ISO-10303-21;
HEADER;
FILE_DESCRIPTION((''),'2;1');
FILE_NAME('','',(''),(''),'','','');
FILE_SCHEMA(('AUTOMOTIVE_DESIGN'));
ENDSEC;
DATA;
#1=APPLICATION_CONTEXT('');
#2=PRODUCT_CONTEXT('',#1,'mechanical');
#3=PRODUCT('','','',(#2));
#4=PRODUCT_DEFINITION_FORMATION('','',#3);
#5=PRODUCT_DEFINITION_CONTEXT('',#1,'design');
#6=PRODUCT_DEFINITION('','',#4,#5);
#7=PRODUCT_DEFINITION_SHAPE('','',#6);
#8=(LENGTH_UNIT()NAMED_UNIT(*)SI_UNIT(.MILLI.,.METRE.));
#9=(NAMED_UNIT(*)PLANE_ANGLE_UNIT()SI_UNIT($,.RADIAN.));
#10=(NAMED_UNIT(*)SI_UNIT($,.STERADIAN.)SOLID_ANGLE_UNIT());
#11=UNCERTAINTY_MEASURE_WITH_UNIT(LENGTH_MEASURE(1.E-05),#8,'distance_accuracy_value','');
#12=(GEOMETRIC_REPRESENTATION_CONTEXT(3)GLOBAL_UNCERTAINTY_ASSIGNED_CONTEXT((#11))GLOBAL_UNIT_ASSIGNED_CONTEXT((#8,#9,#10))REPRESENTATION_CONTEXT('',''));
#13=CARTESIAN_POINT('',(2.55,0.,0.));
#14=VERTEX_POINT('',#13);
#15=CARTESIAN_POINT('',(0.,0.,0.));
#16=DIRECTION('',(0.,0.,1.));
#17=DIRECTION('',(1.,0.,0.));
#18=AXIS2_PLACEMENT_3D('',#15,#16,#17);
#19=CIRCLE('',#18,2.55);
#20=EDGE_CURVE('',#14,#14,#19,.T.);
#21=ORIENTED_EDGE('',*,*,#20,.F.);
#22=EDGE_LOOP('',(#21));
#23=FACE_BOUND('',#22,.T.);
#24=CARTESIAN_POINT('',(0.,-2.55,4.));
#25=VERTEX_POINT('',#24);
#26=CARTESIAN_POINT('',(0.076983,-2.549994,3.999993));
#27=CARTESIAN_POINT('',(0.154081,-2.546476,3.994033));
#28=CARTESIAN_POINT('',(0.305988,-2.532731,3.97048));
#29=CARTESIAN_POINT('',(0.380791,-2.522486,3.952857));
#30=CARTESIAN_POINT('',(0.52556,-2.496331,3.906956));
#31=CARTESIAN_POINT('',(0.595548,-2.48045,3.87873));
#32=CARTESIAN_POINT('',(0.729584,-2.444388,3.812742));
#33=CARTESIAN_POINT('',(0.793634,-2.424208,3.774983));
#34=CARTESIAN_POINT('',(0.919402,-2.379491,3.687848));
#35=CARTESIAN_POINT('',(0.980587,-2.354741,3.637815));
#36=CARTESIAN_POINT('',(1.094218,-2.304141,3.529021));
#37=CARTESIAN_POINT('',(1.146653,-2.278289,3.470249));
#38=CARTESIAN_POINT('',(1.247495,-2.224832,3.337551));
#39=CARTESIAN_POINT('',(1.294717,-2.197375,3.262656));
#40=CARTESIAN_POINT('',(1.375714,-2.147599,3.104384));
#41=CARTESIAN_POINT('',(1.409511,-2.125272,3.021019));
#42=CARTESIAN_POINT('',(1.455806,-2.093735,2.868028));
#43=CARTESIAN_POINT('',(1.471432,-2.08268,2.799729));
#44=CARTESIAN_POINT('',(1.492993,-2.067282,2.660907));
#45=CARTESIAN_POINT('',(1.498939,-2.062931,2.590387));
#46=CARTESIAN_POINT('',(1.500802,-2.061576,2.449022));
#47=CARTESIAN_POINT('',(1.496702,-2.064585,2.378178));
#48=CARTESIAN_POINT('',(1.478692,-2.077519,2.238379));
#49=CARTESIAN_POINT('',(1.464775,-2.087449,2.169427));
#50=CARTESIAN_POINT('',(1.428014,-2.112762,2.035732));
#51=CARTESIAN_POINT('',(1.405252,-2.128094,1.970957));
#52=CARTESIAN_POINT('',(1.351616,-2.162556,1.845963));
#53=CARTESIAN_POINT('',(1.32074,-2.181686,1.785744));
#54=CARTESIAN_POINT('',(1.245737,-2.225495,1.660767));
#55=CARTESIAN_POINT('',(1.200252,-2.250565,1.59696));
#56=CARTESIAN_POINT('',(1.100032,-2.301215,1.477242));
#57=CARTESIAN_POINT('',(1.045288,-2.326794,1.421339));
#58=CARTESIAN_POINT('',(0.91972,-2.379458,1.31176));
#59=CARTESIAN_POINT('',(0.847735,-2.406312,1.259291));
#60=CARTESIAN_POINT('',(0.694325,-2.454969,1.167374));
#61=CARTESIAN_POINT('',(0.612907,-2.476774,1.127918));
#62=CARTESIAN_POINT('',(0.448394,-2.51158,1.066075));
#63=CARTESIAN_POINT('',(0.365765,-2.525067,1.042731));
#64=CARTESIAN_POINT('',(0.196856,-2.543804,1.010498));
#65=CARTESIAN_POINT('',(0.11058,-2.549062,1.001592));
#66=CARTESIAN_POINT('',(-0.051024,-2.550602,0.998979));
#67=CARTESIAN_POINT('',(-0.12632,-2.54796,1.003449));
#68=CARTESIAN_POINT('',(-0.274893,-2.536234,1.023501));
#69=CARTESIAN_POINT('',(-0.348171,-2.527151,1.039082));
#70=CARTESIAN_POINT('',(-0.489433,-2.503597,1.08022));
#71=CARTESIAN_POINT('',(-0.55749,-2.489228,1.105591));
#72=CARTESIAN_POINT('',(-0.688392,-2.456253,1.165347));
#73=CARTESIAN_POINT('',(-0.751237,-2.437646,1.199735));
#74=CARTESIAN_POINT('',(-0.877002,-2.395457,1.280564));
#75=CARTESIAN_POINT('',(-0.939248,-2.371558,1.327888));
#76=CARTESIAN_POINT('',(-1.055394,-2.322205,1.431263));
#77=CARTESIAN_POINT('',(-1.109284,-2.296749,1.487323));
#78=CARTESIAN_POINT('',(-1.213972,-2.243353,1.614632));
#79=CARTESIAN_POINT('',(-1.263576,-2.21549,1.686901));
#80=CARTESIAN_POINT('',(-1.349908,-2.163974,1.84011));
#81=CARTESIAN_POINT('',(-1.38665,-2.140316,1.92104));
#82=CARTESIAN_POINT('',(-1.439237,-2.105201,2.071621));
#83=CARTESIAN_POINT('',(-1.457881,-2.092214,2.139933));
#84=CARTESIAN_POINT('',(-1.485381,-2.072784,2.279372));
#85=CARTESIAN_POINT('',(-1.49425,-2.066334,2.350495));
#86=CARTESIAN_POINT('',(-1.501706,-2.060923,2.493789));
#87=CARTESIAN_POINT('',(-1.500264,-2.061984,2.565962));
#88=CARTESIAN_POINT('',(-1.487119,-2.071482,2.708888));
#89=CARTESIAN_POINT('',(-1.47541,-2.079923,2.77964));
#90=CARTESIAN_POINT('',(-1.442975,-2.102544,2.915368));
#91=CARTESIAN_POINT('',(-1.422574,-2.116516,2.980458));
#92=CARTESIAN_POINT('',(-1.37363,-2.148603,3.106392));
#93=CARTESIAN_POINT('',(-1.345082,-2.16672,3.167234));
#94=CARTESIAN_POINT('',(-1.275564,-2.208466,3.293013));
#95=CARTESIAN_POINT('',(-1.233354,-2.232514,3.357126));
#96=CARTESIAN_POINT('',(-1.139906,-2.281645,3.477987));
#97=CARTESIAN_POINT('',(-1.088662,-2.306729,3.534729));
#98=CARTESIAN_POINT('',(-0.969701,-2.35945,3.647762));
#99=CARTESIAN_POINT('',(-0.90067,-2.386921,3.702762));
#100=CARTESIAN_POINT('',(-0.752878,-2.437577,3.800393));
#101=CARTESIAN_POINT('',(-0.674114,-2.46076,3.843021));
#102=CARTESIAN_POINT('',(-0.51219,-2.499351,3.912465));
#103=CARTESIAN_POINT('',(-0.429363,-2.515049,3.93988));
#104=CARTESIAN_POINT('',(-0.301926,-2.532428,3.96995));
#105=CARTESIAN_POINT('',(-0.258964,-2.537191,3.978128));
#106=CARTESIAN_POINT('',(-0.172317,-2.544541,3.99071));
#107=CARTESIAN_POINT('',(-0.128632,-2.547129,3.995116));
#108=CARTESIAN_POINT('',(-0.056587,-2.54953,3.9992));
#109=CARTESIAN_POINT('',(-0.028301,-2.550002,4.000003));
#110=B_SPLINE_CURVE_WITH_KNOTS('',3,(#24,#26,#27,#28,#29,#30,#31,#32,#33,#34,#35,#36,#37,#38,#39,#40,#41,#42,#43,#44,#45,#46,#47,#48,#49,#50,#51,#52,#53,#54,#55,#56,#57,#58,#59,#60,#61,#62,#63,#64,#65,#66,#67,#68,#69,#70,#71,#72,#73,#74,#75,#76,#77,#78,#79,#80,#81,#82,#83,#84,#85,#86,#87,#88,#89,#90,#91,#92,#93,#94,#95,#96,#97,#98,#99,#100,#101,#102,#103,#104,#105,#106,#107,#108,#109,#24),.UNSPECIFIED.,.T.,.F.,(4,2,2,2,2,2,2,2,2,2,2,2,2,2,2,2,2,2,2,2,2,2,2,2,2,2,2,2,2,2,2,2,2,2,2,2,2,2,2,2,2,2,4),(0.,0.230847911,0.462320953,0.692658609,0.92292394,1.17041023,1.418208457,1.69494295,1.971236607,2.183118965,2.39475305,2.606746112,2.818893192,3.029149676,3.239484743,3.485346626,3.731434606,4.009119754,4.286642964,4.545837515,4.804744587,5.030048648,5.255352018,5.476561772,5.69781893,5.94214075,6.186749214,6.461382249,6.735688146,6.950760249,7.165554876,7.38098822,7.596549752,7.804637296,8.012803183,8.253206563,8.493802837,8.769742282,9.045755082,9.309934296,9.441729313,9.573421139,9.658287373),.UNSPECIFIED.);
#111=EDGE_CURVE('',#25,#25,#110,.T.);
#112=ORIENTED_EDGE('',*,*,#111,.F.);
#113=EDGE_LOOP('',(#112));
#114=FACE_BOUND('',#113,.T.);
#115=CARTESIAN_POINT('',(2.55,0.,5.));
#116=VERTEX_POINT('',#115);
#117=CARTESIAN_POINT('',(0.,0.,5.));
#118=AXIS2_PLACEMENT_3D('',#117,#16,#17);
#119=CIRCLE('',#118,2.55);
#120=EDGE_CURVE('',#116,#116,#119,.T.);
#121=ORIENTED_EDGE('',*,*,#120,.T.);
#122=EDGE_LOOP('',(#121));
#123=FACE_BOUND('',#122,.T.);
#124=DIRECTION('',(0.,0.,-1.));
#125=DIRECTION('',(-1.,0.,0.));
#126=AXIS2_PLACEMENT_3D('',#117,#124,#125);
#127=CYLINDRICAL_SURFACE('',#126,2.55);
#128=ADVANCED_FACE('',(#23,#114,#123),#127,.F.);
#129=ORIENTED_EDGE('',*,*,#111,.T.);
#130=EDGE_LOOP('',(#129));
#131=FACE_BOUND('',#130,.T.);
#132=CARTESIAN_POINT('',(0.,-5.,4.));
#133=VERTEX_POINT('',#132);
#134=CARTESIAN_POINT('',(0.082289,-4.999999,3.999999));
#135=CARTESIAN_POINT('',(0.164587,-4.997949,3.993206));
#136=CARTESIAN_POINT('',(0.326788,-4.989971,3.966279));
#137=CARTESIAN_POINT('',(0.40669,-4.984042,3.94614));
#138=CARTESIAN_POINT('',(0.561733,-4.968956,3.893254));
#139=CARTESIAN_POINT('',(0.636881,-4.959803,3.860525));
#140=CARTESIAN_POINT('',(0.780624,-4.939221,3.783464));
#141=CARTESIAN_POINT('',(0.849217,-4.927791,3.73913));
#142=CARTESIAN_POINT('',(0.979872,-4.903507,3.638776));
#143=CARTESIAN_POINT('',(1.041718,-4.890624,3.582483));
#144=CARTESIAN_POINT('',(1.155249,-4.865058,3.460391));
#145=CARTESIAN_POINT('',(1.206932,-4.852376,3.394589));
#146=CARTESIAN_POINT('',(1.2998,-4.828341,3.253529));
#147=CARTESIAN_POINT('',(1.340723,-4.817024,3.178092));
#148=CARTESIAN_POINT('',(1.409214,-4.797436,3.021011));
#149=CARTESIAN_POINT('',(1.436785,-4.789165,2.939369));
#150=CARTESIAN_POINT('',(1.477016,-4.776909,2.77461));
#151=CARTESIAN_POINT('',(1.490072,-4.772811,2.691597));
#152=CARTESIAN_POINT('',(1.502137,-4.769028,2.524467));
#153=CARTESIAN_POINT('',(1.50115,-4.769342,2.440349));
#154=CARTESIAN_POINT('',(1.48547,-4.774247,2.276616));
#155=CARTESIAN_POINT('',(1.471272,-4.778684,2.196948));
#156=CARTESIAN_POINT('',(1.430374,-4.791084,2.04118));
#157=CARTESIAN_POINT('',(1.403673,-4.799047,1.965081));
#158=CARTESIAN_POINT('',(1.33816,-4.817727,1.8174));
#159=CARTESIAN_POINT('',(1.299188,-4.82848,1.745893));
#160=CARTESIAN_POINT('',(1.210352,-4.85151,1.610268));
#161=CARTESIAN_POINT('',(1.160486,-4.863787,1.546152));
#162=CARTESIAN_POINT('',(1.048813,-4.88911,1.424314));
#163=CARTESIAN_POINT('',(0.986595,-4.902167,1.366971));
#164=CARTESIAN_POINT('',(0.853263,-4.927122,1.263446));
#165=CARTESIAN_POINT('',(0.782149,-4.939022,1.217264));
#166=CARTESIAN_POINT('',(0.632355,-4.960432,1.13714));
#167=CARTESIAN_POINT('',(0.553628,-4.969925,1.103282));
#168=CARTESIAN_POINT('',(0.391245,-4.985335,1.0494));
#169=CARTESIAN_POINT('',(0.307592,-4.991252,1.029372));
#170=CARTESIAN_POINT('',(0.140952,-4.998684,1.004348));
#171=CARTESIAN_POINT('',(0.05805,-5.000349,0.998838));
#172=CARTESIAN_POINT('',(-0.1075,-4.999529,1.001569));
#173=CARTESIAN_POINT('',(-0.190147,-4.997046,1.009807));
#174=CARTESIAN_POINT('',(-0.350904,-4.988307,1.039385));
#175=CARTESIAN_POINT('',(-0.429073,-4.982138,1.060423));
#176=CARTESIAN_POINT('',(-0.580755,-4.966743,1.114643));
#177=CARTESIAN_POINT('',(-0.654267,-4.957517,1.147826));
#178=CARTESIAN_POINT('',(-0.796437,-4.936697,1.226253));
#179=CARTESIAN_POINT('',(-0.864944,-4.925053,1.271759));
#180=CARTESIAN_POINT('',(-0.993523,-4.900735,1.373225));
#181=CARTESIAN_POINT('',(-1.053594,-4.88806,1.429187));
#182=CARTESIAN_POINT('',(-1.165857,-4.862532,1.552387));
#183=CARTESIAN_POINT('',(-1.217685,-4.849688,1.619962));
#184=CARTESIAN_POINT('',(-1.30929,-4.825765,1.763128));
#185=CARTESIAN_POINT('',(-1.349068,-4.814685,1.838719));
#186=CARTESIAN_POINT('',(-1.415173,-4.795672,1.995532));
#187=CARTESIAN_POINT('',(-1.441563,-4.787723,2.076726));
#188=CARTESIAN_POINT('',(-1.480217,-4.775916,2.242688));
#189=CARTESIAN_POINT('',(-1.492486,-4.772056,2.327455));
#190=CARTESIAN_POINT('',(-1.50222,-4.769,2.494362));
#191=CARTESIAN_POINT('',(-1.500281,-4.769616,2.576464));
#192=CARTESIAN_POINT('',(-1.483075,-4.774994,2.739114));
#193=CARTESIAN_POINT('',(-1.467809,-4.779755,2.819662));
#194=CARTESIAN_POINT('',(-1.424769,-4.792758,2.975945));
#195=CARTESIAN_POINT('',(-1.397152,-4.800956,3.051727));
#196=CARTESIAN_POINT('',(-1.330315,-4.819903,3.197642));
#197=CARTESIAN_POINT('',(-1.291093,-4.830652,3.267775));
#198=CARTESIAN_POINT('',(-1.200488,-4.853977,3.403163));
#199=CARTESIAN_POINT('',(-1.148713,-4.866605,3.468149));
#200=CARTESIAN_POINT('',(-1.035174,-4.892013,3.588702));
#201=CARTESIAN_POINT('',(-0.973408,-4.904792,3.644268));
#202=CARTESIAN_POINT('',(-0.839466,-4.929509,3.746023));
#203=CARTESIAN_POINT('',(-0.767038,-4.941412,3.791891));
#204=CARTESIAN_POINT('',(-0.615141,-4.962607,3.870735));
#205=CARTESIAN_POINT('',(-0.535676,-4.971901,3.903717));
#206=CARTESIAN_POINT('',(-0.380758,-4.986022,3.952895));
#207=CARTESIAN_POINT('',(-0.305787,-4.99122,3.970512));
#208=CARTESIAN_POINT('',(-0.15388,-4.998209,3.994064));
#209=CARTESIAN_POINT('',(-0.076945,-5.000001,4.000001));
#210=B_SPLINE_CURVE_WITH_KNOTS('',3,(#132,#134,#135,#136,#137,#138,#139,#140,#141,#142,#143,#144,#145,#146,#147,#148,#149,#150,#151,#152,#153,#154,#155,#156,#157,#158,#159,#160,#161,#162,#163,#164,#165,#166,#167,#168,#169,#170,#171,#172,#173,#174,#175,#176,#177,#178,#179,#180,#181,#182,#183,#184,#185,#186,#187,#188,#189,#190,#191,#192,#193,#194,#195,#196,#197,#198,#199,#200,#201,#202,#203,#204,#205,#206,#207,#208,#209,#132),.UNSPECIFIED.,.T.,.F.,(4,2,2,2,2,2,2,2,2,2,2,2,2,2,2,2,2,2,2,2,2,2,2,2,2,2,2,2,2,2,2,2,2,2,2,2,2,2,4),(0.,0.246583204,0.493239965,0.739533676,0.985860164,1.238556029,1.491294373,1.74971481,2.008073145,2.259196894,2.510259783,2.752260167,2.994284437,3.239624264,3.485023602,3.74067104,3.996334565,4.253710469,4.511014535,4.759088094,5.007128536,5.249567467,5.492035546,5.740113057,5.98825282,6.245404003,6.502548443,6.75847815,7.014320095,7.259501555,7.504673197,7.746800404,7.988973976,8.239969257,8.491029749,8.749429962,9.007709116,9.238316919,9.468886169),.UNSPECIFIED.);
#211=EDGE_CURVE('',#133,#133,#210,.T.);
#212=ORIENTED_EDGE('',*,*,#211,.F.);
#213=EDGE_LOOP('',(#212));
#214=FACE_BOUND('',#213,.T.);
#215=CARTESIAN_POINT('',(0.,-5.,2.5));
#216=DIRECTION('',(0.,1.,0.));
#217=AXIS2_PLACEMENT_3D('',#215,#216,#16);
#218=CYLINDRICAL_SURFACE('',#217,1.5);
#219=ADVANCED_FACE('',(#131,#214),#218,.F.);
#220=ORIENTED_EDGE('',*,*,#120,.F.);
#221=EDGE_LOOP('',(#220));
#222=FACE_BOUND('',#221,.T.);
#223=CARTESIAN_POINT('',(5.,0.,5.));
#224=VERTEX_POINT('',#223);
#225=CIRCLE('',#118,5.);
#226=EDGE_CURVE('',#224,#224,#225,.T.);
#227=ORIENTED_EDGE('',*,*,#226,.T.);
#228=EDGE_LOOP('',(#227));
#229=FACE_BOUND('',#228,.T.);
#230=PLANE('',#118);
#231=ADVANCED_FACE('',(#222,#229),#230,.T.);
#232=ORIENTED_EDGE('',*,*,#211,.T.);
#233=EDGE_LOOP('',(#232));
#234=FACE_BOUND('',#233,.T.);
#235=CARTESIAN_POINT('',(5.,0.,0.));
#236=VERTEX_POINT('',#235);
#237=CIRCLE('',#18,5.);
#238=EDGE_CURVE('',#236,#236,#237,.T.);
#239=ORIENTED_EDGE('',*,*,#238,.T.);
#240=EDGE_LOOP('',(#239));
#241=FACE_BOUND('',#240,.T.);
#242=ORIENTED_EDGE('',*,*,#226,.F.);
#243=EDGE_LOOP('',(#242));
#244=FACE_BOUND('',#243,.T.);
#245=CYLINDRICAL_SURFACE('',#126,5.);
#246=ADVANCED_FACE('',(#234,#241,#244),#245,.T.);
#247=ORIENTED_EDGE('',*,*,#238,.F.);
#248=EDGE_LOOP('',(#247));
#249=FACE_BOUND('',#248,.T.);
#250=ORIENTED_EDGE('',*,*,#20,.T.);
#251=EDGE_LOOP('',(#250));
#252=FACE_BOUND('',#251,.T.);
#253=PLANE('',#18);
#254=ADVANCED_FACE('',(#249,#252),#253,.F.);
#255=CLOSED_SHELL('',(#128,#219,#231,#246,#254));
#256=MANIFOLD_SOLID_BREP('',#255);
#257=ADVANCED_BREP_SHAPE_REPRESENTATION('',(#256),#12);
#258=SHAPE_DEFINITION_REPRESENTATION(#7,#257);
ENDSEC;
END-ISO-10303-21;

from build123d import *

# Parameters (mm, degrees)
SKETCH_1_R          = 5
SKETCH_1_R_2        = 2.55
EXTRUDE_1_DEPTH     = 5
SKETCH_2_R          = 1.5
CUT_EXTRUDE_1_DEPTH = 9.660254038


with BuildPart() as part:
    # Эскиз1 → Бобышка-Вытянуть1 (new body)
    with BuildSketch(Plane.XY):
        Circle(SKETCH_1_R)
        Circle(SKETCH_1_R_2, mode=Mode.SUBTRACT)
    extrude(amount=EXTRUDE_1_DEPTH)

    # Эскиз2 → Вырез-Вытянуть1 (cut, through all)
    with BuildSketch(Plane(origin=(0, 0, 0), x_dir=(1, 0, 0), z_dir=(0, 1, 0))):
        with Locations(Location((0, -2.5, 0), (0, 0, 270))):
            Circle(SKETCH_2_R)
    extrude(amount=-CUT_EXTRUDE_1_DEPTH, mode=Mode.SUBTRACT)


solid = part.part
